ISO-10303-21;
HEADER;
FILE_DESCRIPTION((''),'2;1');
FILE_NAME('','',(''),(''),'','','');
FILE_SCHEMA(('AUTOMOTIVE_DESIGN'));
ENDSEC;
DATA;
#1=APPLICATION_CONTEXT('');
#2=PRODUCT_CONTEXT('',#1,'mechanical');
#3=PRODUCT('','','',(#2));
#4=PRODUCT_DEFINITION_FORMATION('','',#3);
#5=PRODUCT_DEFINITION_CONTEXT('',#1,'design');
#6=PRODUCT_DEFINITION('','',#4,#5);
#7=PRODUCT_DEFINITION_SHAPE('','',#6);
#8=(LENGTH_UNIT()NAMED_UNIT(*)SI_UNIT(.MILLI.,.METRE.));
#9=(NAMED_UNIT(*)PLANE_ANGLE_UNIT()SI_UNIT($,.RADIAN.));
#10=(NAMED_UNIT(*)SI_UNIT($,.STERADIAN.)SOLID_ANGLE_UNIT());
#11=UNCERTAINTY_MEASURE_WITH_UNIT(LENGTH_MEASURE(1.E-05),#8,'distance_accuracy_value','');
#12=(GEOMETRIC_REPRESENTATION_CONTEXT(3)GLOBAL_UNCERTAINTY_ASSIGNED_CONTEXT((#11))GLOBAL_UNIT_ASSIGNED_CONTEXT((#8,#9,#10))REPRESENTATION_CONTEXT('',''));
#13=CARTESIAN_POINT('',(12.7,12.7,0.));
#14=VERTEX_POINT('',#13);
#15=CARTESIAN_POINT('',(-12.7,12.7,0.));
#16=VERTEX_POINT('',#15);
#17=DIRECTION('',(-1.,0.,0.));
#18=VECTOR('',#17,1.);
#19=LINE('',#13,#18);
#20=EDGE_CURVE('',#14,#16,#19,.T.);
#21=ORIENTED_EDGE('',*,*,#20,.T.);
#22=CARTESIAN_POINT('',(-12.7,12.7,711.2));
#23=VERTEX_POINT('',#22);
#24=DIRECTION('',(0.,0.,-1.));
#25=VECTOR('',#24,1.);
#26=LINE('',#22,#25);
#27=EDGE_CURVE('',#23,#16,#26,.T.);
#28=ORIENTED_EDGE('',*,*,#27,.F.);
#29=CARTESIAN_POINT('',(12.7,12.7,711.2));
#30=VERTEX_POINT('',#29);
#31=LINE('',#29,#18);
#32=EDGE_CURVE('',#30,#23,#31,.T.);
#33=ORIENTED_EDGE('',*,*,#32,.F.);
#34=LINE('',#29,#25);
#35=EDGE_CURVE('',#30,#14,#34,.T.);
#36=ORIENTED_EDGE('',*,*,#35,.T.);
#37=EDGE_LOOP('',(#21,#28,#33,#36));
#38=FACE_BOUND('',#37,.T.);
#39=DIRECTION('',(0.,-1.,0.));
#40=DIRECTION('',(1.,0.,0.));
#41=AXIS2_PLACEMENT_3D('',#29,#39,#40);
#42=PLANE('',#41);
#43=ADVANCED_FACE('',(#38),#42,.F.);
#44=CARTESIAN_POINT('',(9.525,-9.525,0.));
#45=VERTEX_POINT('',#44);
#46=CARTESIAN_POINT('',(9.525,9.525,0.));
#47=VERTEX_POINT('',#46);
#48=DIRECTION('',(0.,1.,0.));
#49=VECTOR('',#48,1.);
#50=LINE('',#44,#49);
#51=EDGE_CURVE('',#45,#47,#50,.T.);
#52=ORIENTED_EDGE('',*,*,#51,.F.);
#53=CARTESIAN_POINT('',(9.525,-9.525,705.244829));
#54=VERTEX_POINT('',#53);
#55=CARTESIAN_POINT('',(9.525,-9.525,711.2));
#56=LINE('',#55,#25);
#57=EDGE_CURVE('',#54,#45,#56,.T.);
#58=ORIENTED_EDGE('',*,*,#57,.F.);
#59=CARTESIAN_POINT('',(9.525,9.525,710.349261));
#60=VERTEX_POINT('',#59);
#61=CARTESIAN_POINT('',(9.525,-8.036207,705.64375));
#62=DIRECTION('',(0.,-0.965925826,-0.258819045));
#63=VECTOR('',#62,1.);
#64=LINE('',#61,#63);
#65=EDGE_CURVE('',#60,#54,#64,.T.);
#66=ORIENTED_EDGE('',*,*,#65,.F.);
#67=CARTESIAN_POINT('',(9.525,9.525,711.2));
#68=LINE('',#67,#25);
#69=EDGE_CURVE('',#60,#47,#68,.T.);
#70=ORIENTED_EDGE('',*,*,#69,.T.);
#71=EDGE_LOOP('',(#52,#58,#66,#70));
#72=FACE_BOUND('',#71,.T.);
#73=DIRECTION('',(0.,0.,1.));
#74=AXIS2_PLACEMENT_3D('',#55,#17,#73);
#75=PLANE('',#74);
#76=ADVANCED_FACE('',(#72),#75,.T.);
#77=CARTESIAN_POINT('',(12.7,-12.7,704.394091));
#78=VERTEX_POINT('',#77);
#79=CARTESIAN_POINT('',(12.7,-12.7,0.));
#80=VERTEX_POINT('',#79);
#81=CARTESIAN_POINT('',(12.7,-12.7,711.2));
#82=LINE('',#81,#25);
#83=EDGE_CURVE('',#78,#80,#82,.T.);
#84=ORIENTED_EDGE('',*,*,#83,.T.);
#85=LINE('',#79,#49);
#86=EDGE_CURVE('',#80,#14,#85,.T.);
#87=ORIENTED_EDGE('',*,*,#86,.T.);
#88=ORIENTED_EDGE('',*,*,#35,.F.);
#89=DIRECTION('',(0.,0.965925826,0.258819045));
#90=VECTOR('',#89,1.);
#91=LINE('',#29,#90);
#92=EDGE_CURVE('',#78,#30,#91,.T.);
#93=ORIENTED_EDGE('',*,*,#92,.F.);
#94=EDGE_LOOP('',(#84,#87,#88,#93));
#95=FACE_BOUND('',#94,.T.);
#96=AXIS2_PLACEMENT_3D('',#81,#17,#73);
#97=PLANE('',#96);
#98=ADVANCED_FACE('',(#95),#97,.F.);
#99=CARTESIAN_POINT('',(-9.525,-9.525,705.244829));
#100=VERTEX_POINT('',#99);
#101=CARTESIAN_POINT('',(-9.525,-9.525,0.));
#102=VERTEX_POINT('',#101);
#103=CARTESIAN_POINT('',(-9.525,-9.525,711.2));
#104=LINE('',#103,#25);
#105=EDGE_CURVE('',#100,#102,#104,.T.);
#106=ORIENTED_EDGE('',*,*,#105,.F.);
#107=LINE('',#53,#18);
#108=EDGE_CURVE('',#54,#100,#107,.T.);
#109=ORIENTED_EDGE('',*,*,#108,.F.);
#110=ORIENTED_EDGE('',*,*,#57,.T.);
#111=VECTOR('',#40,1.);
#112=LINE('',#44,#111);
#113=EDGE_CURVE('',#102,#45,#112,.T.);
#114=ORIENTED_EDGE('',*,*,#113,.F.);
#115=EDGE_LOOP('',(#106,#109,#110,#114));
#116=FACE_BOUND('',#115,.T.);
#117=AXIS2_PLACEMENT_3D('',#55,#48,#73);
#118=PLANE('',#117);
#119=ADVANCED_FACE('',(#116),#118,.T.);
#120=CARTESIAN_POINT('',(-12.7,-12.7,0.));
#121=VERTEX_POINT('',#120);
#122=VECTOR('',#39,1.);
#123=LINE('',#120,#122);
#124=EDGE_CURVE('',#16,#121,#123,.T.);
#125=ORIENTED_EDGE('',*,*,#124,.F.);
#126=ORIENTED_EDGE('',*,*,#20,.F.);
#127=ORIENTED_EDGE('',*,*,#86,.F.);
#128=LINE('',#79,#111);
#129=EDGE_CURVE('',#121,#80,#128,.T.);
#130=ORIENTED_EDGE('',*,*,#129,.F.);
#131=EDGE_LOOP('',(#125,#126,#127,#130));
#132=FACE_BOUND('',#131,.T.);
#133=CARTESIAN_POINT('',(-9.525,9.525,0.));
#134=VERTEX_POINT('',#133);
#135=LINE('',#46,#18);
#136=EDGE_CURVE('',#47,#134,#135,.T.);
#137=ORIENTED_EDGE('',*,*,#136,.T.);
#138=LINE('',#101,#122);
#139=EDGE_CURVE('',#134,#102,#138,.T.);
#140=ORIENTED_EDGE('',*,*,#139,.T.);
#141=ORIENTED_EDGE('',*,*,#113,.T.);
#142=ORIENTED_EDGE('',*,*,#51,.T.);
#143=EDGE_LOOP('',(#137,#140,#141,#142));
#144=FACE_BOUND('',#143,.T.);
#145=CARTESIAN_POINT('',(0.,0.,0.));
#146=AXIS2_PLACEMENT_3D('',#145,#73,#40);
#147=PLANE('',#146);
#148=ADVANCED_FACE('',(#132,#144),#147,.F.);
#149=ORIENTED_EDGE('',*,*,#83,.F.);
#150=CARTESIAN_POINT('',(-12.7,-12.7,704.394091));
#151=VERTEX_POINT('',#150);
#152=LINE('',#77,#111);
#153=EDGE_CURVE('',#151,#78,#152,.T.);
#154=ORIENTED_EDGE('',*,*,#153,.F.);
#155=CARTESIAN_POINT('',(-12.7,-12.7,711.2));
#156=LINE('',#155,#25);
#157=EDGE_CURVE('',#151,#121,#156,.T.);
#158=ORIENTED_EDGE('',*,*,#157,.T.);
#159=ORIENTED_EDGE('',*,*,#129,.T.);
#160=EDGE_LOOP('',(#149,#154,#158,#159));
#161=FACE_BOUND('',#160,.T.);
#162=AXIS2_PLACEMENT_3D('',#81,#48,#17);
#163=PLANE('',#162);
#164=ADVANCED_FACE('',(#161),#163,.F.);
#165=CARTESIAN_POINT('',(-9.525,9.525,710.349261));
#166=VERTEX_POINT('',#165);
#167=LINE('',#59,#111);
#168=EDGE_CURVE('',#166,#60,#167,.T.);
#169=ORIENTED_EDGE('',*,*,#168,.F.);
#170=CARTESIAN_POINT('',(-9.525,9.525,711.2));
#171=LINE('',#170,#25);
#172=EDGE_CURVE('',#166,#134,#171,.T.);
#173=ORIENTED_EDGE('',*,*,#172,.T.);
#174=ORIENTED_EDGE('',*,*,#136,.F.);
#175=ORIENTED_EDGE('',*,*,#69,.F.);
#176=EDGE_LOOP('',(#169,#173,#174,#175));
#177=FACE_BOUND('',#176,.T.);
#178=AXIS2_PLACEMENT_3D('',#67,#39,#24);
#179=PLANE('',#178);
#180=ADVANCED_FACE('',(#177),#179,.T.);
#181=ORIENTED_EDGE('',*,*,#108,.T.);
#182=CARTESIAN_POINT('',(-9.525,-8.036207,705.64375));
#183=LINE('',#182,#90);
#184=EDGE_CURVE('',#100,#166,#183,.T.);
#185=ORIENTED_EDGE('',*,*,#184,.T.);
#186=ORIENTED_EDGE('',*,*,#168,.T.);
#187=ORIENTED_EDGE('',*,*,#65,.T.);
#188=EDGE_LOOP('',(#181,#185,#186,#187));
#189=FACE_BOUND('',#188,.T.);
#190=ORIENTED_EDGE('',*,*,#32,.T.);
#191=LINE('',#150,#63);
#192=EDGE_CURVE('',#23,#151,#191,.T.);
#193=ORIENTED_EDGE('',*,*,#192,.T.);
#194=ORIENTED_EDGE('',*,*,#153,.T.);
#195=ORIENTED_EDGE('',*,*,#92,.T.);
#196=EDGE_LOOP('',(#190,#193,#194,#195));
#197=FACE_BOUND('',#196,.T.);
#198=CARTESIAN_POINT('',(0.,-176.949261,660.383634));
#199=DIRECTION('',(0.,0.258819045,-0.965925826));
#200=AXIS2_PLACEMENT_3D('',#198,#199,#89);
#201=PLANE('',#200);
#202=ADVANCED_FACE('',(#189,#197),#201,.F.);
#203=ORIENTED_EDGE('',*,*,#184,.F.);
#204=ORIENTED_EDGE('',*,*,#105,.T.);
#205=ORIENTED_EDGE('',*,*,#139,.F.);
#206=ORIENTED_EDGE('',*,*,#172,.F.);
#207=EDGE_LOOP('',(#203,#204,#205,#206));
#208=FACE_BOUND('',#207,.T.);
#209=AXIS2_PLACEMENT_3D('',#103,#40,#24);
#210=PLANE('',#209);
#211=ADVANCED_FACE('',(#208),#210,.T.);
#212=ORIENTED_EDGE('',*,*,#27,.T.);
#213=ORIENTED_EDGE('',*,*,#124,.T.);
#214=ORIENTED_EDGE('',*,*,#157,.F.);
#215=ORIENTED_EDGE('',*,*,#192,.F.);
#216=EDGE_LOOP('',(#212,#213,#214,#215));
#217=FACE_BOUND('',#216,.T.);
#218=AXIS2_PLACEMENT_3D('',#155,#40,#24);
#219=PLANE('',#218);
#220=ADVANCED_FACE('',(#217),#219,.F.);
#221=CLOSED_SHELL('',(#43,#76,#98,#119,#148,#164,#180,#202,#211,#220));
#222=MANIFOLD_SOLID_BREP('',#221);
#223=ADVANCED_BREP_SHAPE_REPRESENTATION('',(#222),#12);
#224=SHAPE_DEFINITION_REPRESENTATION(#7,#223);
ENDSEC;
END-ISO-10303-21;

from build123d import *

# Parameters (mm, degrees)
SKETCH1_W           = 25.4
SKETCH1_H           = 25.4
SKETCH1_W_2         = 19.05
SKETCH1_H_2         = 19.05
BOSS_EXTRUDE1_DEPTH = 711.2
SKETCH3_W           = 25.4
SKETCH3_H           = 26.296014983
CUT_EXTRUDE2_DEPTH  = 688.193332203


with BuildPart() as part:
    # Sketch1 → Boss-Extrude1 (new body)
    with BuildSketch(Plane.XY):
        Rectangle(SKETCH1_W, SKETCH1_H)
        Rectangle(SKETCH1_W_2, SKETCH1_H_2, mode=Mode.SUBTRACT)
    extrude(amount=BOSS_EXTRUDE1_DEPTH)

    # Sketch3 → Cut-Extrude2 (cut, through all)
    with BuildSketch(Plane(origin=(0, -176.949261314, 660.383633586), x_dir=(-1, 0, 0), z_dir=(0, -0.25881904510250786, 0.9659258262890718))):
        with Locations((0, -183.19135538)):
            Rectangle(SKETCH3_W, SKETCH3_H)
    extrude(amount=CUT_EXTRUDE2_DEPTH, mode=Mode.SUBTRACT)


solid = part.part
